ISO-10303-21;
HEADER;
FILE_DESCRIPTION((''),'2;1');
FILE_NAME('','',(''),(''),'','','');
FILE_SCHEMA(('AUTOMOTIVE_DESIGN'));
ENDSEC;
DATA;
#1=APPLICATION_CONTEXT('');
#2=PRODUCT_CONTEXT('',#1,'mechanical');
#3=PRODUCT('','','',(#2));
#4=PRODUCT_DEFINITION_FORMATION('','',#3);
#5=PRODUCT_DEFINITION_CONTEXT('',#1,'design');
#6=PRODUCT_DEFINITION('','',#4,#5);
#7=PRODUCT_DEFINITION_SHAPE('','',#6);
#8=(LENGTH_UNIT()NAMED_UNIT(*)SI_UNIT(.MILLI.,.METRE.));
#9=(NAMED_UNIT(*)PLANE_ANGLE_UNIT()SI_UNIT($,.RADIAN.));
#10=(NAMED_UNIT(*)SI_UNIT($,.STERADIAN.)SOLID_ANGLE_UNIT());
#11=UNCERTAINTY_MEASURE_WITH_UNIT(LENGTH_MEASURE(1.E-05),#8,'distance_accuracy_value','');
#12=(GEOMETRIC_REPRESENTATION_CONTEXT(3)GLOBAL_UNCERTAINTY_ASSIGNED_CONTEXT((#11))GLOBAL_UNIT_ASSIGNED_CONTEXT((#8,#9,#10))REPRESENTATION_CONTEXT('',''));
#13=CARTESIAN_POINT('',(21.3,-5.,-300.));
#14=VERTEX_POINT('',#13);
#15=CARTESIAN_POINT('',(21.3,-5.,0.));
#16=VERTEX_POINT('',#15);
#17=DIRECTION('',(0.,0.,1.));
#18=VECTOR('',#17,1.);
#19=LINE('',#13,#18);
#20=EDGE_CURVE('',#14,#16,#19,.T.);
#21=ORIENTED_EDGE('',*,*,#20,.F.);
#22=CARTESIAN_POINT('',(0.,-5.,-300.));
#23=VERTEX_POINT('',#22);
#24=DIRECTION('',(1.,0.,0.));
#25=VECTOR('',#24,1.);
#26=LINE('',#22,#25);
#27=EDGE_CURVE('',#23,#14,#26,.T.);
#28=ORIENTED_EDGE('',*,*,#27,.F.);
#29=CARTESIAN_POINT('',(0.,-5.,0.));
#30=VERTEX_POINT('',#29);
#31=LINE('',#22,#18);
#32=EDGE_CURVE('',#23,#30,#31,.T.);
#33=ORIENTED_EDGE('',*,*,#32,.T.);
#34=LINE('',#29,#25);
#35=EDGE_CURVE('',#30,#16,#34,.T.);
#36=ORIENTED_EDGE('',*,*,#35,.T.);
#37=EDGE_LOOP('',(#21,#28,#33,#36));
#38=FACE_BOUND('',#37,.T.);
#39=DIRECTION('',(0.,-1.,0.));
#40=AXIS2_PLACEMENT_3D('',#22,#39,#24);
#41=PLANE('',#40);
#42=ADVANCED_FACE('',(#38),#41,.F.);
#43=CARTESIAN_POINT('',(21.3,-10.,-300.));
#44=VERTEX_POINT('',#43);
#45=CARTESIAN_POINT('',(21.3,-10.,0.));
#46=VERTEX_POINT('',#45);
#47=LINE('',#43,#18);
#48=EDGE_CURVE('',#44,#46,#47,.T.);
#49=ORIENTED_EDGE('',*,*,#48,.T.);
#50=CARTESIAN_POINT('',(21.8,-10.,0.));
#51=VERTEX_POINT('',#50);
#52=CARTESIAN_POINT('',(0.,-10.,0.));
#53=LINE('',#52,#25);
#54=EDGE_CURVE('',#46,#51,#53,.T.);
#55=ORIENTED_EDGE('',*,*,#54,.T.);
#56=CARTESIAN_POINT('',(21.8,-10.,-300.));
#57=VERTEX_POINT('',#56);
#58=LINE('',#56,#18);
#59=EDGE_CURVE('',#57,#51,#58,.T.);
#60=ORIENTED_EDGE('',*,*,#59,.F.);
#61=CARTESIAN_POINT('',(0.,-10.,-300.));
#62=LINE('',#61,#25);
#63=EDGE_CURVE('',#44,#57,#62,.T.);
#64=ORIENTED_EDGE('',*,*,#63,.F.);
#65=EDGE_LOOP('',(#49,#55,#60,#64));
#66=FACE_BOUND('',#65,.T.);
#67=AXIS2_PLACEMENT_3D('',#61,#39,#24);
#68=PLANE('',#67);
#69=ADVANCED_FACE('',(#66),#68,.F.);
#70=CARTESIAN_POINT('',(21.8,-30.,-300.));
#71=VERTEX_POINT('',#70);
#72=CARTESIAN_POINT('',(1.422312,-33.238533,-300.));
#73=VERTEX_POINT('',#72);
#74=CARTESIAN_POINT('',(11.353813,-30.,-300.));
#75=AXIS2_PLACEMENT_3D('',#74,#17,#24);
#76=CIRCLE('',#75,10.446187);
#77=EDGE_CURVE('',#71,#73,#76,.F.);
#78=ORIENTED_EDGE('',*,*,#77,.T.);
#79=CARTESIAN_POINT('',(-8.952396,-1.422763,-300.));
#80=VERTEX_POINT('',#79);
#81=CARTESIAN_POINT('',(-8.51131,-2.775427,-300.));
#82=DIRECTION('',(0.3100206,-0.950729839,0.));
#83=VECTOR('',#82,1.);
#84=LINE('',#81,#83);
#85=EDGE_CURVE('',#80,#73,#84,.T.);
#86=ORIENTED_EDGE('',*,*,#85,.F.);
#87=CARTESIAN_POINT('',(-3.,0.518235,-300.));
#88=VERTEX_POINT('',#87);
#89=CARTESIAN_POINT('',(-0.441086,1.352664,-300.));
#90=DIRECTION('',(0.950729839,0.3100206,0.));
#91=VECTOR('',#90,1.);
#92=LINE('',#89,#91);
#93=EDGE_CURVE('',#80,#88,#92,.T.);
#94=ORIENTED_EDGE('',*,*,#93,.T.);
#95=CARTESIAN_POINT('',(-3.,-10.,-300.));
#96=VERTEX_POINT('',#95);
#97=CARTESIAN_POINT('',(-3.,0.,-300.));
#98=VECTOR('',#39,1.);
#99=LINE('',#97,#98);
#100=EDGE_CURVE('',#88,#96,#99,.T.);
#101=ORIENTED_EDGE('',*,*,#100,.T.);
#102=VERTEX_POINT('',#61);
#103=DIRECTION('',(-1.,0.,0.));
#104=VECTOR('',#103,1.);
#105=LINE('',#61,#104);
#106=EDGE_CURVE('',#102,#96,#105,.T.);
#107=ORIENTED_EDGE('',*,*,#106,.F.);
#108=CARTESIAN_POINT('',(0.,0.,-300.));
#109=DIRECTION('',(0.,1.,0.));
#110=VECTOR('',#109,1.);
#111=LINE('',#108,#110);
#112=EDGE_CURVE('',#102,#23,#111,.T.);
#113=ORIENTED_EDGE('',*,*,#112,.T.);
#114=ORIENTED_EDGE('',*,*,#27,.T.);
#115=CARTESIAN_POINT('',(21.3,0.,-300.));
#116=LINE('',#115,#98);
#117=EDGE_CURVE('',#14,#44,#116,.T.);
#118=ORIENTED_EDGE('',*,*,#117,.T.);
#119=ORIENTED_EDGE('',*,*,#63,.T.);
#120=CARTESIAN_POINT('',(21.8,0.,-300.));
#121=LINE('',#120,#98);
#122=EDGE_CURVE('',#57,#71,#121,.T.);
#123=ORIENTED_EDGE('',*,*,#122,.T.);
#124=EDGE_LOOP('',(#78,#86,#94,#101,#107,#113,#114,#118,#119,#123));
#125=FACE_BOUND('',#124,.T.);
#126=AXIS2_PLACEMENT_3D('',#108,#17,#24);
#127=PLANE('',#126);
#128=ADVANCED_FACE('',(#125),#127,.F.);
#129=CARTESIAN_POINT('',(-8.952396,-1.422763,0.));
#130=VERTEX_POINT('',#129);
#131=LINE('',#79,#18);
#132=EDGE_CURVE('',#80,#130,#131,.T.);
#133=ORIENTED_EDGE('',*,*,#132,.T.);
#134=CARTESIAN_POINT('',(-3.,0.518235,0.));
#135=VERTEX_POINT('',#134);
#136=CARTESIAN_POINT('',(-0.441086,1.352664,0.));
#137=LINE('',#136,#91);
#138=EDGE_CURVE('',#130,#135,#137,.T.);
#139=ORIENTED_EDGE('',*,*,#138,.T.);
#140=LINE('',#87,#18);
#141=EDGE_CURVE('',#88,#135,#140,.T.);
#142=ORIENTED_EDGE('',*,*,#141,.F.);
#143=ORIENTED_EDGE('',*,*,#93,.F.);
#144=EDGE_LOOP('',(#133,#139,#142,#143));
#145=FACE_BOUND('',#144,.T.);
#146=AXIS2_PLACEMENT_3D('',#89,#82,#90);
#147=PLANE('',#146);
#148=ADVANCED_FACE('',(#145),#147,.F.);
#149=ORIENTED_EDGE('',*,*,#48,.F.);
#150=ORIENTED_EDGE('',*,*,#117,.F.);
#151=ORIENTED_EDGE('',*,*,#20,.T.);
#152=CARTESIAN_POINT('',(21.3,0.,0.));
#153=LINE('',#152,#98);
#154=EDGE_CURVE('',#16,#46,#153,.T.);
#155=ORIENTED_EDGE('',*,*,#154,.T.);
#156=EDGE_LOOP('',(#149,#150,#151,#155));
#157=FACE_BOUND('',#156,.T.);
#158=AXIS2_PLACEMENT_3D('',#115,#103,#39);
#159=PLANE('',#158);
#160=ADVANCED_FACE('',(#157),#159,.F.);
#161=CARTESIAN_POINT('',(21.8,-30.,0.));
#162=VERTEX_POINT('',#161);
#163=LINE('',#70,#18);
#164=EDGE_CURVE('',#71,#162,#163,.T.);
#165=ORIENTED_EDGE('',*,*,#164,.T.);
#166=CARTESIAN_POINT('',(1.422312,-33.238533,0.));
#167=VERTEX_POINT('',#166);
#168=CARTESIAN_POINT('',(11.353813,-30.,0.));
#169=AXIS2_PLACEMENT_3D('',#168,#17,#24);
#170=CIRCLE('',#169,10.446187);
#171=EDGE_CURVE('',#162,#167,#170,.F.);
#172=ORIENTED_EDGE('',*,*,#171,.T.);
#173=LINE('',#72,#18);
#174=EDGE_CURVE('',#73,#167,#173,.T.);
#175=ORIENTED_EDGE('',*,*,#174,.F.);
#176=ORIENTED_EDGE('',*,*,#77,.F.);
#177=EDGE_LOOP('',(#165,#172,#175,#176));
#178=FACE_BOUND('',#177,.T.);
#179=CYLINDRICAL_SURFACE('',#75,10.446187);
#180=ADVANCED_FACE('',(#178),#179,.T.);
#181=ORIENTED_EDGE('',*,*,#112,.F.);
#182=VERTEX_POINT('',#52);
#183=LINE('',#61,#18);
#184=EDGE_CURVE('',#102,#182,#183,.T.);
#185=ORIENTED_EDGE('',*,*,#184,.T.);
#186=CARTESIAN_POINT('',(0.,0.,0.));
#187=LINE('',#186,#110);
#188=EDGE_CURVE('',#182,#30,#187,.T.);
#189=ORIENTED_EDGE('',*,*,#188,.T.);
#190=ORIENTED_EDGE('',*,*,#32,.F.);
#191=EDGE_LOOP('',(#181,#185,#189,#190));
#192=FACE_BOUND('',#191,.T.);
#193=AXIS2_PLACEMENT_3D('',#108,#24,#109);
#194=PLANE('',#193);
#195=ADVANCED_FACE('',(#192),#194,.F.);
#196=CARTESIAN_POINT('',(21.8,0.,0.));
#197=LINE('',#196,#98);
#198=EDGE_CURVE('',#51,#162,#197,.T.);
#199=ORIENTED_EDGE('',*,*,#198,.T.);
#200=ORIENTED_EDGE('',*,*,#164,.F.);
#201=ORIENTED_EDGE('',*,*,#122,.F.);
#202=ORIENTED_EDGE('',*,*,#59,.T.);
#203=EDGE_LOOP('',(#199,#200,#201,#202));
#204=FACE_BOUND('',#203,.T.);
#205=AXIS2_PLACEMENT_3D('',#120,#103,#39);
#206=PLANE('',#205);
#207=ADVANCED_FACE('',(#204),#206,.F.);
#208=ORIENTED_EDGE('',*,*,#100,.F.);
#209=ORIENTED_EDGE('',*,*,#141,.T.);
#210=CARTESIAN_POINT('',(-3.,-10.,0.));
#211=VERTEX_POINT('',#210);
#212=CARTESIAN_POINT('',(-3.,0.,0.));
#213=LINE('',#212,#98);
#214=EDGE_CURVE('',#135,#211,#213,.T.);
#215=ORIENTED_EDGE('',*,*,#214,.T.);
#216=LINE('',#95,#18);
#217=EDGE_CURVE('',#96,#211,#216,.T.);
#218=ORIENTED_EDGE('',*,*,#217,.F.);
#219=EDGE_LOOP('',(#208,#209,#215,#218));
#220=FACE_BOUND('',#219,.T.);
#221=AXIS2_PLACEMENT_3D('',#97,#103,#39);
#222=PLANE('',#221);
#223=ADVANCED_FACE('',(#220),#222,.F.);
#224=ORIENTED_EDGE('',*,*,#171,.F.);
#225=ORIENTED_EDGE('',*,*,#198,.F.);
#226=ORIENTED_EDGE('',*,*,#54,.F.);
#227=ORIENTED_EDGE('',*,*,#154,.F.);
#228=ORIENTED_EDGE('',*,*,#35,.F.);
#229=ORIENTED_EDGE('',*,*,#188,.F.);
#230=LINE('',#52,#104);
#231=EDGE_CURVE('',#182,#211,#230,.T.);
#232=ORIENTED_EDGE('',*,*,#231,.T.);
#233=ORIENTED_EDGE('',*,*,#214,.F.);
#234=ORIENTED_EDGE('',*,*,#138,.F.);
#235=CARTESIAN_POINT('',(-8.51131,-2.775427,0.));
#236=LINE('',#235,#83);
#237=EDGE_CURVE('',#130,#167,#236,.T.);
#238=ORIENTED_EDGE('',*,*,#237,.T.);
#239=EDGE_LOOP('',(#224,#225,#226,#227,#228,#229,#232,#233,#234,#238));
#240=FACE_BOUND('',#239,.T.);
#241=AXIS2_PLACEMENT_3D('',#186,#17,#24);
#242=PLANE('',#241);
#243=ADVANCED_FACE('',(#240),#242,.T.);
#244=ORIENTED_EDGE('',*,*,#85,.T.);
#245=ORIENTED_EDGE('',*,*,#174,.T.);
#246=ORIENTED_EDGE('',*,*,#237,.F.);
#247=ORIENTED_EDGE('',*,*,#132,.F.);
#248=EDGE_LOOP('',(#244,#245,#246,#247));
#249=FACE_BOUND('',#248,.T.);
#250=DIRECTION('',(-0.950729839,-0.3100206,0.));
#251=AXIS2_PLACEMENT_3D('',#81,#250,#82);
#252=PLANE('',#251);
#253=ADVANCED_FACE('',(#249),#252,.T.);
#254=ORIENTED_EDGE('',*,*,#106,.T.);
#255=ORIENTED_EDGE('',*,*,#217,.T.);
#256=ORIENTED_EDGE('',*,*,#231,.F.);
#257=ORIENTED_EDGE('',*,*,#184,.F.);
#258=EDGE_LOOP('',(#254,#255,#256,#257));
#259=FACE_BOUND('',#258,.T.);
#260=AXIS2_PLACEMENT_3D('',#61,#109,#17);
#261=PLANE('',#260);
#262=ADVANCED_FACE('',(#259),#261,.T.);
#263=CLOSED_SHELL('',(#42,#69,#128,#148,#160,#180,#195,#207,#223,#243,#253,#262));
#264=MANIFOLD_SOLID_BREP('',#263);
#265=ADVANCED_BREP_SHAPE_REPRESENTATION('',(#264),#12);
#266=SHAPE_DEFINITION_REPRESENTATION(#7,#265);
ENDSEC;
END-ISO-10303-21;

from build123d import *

# Parameters (mm, degrees)
BOSS_EXTRUDE1_DEPTH = 300


with BuildPart() as part:
    # Sketch1 → Boss-Extrude1 (new body)
    with BuildSketch(Plane.XY):
        with BuildLine():
            Line((0, -5), (0, -10))
            Line((0, -10), (-3, -10))
            Line((-3, -10), (-3, 0.518235133))
            Line((-3, 0.518235133), (-8.952395517, -1.422763405))
            Line((-8.952395517, -1.422763405), (1.422311977, -33.238533054))
            ThreePointArc((1.422311977, -33.238533054), (12.993401498, -40.316712963), (21.8, -30))
            Line((21.8, -30), (21.8, -10))
            Line((21.8, -10), (21.3, -10))
            Line((21.3, -10), (21.3, -5))
            Line((21.3, -5), (0, -5))
        make_face()
    extrude(amount=-BOSS_EXTRUDE1_DEPTH)


solid = part.part
